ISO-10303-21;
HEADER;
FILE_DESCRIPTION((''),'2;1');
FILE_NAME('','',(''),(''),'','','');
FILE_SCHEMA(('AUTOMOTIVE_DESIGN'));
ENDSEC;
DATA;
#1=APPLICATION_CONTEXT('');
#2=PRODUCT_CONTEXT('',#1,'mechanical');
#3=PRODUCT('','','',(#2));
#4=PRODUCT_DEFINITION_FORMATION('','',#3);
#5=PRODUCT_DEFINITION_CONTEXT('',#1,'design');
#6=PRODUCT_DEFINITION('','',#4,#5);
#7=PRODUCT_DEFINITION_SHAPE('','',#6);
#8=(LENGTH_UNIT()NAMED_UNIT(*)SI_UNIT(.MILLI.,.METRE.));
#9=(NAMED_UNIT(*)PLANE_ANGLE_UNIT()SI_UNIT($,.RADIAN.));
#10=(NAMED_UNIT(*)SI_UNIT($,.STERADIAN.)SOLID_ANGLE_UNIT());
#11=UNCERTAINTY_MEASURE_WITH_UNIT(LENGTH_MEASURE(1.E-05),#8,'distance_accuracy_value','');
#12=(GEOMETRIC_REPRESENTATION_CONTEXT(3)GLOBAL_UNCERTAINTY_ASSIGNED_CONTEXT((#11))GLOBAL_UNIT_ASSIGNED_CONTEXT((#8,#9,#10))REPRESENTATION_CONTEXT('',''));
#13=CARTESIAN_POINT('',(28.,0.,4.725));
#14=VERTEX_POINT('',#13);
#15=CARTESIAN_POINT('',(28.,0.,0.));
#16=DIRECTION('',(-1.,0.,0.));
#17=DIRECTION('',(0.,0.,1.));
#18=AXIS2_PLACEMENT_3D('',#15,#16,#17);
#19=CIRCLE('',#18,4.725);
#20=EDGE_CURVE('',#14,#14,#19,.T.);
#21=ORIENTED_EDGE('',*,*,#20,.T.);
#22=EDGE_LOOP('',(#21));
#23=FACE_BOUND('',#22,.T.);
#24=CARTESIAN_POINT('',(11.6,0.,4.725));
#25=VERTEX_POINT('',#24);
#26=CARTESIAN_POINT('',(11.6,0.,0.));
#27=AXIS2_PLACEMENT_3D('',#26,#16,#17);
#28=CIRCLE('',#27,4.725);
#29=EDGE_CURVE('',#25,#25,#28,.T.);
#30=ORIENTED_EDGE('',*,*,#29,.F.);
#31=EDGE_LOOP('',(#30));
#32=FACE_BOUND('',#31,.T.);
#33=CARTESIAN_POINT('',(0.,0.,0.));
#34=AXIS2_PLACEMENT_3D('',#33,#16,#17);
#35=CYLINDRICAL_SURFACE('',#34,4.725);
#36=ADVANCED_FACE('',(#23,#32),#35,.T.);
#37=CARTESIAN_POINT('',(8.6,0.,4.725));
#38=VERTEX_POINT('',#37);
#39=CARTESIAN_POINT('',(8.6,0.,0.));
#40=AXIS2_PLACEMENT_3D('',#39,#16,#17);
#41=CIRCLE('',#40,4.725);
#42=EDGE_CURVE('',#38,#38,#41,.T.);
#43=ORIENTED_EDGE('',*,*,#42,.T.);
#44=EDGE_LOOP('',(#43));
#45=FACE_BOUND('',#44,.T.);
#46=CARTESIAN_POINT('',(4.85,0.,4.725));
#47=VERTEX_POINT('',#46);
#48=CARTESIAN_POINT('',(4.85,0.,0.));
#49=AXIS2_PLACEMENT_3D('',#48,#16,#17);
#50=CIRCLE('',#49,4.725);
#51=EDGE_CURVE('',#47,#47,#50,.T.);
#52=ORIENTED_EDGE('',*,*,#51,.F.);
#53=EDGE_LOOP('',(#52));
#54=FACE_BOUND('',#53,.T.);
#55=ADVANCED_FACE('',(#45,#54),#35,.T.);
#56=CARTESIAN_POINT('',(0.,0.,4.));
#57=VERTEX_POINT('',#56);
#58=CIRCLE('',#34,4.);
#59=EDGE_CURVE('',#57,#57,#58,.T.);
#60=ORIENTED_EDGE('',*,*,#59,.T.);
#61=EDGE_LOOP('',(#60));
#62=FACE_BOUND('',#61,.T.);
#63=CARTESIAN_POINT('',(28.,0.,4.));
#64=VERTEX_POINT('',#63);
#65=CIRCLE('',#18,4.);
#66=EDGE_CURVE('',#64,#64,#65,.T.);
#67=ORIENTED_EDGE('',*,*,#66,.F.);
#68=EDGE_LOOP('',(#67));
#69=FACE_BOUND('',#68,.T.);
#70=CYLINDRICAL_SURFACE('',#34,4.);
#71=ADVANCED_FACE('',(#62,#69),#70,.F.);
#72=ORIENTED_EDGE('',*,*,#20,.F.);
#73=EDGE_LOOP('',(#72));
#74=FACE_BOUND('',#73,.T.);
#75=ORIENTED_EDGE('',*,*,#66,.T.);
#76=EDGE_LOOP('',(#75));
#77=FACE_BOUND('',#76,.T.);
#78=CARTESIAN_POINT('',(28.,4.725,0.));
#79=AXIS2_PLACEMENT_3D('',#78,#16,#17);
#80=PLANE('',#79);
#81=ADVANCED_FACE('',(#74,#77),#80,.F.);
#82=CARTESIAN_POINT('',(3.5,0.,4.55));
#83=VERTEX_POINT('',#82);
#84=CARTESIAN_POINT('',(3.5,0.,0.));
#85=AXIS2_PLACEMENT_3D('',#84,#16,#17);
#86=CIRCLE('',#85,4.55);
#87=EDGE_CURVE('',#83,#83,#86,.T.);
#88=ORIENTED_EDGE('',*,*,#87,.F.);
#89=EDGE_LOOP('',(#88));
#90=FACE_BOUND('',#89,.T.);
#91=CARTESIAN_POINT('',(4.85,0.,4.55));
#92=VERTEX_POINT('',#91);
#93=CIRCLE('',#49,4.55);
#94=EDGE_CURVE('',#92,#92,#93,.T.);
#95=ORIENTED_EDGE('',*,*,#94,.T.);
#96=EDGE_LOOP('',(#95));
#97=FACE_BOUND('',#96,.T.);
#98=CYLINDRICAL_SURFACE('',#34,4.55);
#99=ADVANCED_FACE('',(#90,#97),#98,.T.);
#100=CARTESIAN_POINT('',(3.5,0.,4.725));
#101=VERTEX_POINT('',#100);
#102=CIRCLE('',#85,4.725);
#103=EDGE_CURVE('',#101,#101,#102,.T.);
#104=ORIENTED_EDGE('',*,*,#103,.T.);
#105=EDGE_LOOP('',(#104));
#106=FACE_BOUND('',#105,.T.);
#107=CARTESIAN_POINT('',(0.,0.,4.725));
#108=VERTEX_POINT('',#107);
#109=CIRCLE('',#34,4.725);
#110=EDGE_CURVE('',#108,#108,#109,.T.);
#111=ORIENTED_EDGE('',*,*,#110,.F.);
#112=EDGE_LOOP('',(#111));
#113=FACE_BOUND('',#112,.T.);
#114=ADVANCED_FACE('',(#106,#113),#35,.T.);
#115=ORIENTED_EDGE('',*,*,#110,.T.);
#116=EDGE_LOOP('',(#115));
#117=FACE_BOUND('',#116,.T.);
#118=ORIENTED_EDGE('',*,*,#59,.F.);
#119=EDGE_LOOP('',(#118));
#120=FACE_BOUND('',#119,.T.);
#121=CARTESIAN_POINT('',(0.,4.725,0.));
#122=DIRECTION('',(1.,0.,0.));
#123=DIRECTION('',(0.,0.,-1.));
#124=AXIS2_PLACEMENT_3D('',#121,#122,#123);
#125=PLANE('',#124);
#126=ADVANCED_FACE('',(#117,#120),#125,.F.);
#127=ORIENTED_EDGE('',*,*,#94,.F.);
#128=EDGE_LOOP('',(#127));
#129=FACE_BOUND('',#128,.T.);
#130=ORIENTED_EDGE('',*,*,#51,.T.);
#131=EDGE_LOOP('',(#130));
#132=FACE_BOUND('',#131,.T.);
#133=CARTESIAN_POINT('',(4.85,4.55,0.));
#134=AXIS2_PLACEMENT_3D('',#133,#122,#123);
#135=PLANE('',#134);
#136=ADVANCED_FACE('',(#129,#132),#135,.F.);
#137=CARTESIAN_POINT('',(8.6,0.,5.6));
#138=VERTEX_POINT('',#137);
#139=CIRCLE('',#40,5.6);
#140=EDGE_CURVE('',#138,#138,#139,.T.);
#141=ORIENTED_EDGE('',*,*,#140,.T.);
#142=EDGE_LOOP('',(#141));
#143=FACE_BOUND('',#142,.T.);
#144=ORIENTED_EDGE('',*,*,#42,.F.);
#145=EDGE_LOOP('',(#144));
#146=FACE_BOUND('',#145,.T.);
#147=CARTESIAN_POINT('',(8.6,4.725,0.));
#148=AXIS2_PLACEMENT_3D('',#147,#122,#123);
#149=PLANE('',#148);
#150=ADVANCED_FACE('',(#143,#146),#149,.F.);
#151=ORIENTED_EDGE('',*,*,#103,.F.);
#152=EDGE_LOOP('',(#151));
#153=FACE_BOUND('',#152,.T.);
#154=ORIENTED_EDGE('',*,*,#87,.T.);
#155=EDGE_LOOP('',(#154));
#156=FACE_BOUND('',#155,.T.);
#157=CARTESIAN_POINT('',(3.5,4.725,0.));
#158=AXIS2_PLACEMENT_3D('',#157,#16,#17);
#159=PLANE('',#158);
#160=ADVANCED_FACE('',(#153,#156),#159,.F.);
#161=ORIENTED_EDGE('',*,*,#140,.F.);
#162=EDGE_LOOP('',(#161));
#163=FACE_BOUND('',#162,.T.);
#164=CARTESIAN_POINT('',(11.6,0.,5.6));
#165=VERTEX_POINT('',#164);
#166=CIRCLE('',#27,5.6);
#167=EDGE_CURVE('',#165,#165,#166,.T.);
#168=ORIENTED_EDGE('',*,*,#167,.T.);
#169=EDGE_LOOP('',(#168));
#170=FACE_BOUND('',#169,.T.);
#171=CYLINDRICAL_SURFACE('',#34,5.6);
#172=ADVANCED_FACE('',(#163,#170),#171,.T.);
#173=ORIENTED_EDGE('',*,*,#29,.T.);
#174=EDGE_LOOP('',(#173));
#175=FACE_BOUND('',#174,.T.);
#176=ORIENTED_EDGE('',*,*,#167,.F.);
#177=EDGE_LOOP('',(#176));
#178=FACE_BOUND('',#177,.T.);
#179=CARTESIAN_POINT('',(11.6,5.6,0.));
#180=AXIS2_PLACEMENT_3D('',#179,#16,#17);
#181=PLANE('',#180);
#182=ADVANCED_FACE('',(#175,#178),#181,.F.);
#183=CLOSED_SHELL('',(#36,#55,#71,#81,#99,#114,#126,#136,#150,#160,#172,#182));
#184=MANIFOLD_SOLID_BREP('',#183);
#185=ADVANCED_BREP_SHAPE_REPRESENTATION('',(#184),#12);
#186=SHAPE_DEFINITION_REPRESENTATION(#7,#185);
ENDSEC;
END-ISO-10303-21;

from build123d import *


with BuildPart() as part:
    # Esboço1 → Revolução1 (revolve)
    with BuildSketch(Plane.XY, mode=Mode.PRIVATE) as revolu_o1_sk:
        Polygon((0, 4.725), (3.5, 4.725), (3.5, 4.55), (4.85, 4.55), (4.85, 4.725), (8.6, 4.725), (8.6, 5.6), (11.6, 5.6), (11.6, 4.725), (28, 4.725), (28, 4), (0, 4), align=None)
    revolve(revolu_o1_sk.sketch.rotate(Axis((0, 0, 0), (1, 0, 0)), 90), axis=Axis((0, 0, 0), (1, 0, 0)))


solid = part.part
